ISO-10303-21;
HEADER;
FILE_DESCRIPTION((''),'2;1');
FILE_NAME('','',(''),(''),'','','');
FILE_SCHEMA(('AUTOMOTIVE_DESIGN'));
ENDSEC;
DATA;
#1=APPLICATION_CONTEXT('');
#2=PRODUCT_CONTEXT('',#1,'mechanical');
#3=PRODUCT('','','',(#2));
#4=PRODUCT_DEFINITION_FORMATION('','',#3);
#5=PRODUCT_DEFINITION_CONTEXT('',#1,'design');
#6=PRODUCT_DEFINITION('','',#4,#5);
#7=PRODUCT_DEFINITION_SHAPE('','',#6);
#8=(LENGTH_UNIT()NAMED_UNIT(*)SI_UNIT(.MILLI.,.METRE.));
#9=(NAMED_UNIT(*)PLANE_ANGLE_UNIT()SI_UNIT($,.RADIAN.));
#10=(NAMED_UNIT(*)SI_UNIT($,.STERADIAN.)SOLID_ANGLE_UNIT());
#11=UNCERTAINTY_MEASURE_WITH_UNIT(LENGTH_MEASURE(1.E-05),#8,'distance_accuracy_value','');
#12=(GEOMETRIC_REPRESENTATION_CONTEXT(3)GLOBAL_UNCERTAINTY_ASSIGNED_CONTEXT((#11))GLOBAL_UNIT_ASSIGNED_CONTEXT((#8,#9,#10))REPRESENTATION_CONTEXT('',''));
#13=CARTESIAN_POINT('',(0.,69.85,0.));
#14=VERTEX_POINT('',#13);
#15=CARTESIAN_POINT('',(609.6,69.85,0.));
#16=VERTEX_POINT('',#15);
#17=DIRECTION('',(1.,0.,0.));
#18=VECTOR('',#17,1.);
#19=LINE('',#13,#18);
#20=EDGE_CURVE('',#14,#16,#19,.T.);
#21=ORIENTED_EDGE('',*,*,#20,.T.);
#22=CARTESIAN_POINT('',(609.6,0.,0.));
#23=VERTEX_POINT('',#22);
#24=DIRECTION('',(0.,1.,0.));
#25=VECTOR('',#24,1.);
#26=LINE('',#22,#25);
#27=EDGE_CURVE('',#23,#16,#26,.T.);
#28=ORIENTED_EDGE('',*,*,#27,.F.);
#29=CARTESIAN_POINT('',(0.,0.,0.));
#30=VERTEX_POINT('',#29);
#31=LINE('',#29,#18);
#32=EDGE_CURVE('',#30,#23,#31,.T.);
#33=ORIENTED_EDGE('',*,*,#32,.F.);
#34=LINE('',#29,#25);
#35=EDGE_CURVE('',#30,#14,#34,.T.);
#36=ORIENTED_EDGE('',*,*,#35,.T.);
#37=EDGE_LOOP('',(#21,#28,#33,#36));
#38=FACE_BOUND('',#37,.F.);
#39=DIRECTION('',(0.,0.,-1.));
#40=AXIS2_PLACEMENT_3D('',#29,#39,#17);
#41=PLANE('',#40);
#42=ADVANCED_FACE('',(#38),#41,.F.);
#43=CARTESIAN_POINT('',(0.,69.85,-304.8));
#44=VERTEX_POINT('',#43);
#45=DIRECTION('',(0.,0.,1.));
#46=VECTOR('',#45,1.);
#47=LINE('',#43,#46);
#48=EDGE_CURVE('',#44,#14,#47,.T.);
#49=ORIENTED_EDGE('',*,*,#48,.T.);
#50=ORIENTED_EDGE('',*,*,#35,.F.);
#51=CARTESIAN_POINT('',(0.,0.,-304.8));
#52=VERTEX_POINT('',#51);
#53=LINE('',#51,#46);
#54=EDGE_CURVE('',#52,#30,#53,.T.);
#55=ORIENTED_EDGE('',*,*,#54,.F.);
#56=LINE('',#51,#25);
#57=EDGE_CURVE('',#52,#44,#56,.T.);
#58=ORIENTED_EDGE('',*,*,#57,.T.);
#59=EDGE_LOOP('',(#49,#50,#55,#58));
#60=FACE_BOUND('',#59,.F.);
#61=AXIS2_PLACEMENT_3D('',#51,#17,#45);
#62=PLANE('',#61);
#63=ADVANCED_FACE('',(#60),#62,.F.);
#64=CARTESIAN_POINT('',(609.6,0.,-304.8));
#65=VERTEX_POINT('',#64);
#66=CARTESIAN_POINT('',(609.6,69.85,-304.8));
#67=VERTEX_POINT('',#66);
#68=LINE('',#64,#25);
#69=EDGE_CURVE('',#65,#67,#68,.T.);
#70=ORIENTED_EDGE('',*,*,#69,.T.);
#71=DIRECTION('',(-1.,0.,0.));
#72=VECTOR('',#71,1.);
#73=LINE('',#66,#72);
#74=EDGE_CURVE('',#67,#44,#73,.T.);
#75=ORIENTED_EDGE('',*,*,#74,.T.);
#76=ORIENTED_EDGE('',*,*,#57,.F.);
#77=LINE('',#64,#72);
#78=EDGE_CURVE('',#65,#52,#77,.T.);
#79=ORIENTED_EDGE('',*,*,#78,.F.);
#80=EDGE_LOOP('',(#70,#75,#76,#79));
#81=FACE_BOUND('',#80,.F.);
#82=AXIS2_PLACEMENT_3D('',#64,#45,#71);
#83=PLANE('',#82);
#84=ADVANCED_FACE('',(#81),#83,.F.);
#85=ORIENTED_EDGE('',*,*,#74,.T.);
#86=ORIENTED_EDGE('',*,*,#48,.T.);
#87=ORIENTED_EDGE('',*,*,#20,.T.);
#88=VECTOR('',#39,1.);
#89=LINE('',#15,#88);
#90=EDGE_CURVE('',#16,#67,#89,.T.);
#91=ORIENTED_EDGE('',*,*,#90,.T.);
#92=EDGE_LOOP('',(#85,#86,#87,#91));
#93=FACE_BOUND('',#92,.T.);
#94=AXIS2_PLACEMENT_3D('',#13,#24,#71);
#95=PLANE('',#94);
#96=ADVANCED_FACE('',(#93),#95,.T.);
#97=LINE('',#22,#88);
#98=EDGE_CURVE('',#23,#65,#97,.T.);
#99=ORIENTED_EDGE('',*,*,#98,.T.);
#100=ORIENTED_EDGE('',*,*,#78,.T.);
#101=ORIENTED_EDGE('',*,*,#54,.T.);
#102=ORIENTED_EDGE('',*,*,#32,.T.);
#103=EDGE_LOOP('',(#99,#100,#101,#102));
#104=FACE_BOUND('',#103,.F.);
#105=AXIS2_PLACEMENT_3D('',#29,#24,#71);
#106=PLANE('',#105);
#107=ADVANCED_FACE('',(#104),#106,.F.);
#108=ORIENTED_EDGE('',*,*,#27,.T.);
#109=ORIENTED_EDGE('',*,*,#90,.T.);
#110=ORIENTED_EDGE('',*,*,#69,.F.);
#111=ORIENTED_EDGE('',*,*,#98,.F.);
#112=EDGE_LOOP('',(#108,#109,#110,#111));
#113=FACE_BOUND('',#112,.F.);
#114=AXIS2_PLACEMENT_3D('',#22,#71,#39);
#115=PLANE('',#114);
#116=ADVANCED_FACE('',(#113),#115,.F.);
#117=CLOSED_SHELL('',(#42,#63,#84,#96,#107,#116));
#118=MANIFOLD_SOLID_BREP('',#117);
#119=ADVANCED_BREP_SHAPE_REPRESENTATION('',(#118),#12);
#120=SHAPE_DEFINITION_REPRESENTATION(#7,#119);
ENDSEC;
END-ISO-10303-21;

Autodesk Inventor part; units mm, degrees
ref_plane "YZ Plane" through (0, 0, 0) normal (1, 0, 0) x (0, 1, 0)
ref_plane "XZ Plane" through (0, 0, 0) normal (0, 1, 0) x (-1, 0, 0)
ref_plane "XY Plane" through (0, 0, 0) normal (0, 0, 1) x (1, 0, 0)
sketch "Sketch1" plane through (0, 0, 0) normal (0, 1, 0) x (-1, 0, 0)
  line L0 (0, 0) -> (-609.6, 0)
  line L1 (-609.6, 0) -> (-609.6, -304.8)
  line L2 (-609.6, -304.8) -> (0, -304.8)
  line L3 (0, -304.8) -> (0, 0)
  dimension "d0" = 609.6
  dimension "d1" = 304.8
extrude "Extrusion1" add sketch "Sketch1" along normal blind 69.85
properties part number "12x24 - 47" material "Granite, Cut, Polished"
